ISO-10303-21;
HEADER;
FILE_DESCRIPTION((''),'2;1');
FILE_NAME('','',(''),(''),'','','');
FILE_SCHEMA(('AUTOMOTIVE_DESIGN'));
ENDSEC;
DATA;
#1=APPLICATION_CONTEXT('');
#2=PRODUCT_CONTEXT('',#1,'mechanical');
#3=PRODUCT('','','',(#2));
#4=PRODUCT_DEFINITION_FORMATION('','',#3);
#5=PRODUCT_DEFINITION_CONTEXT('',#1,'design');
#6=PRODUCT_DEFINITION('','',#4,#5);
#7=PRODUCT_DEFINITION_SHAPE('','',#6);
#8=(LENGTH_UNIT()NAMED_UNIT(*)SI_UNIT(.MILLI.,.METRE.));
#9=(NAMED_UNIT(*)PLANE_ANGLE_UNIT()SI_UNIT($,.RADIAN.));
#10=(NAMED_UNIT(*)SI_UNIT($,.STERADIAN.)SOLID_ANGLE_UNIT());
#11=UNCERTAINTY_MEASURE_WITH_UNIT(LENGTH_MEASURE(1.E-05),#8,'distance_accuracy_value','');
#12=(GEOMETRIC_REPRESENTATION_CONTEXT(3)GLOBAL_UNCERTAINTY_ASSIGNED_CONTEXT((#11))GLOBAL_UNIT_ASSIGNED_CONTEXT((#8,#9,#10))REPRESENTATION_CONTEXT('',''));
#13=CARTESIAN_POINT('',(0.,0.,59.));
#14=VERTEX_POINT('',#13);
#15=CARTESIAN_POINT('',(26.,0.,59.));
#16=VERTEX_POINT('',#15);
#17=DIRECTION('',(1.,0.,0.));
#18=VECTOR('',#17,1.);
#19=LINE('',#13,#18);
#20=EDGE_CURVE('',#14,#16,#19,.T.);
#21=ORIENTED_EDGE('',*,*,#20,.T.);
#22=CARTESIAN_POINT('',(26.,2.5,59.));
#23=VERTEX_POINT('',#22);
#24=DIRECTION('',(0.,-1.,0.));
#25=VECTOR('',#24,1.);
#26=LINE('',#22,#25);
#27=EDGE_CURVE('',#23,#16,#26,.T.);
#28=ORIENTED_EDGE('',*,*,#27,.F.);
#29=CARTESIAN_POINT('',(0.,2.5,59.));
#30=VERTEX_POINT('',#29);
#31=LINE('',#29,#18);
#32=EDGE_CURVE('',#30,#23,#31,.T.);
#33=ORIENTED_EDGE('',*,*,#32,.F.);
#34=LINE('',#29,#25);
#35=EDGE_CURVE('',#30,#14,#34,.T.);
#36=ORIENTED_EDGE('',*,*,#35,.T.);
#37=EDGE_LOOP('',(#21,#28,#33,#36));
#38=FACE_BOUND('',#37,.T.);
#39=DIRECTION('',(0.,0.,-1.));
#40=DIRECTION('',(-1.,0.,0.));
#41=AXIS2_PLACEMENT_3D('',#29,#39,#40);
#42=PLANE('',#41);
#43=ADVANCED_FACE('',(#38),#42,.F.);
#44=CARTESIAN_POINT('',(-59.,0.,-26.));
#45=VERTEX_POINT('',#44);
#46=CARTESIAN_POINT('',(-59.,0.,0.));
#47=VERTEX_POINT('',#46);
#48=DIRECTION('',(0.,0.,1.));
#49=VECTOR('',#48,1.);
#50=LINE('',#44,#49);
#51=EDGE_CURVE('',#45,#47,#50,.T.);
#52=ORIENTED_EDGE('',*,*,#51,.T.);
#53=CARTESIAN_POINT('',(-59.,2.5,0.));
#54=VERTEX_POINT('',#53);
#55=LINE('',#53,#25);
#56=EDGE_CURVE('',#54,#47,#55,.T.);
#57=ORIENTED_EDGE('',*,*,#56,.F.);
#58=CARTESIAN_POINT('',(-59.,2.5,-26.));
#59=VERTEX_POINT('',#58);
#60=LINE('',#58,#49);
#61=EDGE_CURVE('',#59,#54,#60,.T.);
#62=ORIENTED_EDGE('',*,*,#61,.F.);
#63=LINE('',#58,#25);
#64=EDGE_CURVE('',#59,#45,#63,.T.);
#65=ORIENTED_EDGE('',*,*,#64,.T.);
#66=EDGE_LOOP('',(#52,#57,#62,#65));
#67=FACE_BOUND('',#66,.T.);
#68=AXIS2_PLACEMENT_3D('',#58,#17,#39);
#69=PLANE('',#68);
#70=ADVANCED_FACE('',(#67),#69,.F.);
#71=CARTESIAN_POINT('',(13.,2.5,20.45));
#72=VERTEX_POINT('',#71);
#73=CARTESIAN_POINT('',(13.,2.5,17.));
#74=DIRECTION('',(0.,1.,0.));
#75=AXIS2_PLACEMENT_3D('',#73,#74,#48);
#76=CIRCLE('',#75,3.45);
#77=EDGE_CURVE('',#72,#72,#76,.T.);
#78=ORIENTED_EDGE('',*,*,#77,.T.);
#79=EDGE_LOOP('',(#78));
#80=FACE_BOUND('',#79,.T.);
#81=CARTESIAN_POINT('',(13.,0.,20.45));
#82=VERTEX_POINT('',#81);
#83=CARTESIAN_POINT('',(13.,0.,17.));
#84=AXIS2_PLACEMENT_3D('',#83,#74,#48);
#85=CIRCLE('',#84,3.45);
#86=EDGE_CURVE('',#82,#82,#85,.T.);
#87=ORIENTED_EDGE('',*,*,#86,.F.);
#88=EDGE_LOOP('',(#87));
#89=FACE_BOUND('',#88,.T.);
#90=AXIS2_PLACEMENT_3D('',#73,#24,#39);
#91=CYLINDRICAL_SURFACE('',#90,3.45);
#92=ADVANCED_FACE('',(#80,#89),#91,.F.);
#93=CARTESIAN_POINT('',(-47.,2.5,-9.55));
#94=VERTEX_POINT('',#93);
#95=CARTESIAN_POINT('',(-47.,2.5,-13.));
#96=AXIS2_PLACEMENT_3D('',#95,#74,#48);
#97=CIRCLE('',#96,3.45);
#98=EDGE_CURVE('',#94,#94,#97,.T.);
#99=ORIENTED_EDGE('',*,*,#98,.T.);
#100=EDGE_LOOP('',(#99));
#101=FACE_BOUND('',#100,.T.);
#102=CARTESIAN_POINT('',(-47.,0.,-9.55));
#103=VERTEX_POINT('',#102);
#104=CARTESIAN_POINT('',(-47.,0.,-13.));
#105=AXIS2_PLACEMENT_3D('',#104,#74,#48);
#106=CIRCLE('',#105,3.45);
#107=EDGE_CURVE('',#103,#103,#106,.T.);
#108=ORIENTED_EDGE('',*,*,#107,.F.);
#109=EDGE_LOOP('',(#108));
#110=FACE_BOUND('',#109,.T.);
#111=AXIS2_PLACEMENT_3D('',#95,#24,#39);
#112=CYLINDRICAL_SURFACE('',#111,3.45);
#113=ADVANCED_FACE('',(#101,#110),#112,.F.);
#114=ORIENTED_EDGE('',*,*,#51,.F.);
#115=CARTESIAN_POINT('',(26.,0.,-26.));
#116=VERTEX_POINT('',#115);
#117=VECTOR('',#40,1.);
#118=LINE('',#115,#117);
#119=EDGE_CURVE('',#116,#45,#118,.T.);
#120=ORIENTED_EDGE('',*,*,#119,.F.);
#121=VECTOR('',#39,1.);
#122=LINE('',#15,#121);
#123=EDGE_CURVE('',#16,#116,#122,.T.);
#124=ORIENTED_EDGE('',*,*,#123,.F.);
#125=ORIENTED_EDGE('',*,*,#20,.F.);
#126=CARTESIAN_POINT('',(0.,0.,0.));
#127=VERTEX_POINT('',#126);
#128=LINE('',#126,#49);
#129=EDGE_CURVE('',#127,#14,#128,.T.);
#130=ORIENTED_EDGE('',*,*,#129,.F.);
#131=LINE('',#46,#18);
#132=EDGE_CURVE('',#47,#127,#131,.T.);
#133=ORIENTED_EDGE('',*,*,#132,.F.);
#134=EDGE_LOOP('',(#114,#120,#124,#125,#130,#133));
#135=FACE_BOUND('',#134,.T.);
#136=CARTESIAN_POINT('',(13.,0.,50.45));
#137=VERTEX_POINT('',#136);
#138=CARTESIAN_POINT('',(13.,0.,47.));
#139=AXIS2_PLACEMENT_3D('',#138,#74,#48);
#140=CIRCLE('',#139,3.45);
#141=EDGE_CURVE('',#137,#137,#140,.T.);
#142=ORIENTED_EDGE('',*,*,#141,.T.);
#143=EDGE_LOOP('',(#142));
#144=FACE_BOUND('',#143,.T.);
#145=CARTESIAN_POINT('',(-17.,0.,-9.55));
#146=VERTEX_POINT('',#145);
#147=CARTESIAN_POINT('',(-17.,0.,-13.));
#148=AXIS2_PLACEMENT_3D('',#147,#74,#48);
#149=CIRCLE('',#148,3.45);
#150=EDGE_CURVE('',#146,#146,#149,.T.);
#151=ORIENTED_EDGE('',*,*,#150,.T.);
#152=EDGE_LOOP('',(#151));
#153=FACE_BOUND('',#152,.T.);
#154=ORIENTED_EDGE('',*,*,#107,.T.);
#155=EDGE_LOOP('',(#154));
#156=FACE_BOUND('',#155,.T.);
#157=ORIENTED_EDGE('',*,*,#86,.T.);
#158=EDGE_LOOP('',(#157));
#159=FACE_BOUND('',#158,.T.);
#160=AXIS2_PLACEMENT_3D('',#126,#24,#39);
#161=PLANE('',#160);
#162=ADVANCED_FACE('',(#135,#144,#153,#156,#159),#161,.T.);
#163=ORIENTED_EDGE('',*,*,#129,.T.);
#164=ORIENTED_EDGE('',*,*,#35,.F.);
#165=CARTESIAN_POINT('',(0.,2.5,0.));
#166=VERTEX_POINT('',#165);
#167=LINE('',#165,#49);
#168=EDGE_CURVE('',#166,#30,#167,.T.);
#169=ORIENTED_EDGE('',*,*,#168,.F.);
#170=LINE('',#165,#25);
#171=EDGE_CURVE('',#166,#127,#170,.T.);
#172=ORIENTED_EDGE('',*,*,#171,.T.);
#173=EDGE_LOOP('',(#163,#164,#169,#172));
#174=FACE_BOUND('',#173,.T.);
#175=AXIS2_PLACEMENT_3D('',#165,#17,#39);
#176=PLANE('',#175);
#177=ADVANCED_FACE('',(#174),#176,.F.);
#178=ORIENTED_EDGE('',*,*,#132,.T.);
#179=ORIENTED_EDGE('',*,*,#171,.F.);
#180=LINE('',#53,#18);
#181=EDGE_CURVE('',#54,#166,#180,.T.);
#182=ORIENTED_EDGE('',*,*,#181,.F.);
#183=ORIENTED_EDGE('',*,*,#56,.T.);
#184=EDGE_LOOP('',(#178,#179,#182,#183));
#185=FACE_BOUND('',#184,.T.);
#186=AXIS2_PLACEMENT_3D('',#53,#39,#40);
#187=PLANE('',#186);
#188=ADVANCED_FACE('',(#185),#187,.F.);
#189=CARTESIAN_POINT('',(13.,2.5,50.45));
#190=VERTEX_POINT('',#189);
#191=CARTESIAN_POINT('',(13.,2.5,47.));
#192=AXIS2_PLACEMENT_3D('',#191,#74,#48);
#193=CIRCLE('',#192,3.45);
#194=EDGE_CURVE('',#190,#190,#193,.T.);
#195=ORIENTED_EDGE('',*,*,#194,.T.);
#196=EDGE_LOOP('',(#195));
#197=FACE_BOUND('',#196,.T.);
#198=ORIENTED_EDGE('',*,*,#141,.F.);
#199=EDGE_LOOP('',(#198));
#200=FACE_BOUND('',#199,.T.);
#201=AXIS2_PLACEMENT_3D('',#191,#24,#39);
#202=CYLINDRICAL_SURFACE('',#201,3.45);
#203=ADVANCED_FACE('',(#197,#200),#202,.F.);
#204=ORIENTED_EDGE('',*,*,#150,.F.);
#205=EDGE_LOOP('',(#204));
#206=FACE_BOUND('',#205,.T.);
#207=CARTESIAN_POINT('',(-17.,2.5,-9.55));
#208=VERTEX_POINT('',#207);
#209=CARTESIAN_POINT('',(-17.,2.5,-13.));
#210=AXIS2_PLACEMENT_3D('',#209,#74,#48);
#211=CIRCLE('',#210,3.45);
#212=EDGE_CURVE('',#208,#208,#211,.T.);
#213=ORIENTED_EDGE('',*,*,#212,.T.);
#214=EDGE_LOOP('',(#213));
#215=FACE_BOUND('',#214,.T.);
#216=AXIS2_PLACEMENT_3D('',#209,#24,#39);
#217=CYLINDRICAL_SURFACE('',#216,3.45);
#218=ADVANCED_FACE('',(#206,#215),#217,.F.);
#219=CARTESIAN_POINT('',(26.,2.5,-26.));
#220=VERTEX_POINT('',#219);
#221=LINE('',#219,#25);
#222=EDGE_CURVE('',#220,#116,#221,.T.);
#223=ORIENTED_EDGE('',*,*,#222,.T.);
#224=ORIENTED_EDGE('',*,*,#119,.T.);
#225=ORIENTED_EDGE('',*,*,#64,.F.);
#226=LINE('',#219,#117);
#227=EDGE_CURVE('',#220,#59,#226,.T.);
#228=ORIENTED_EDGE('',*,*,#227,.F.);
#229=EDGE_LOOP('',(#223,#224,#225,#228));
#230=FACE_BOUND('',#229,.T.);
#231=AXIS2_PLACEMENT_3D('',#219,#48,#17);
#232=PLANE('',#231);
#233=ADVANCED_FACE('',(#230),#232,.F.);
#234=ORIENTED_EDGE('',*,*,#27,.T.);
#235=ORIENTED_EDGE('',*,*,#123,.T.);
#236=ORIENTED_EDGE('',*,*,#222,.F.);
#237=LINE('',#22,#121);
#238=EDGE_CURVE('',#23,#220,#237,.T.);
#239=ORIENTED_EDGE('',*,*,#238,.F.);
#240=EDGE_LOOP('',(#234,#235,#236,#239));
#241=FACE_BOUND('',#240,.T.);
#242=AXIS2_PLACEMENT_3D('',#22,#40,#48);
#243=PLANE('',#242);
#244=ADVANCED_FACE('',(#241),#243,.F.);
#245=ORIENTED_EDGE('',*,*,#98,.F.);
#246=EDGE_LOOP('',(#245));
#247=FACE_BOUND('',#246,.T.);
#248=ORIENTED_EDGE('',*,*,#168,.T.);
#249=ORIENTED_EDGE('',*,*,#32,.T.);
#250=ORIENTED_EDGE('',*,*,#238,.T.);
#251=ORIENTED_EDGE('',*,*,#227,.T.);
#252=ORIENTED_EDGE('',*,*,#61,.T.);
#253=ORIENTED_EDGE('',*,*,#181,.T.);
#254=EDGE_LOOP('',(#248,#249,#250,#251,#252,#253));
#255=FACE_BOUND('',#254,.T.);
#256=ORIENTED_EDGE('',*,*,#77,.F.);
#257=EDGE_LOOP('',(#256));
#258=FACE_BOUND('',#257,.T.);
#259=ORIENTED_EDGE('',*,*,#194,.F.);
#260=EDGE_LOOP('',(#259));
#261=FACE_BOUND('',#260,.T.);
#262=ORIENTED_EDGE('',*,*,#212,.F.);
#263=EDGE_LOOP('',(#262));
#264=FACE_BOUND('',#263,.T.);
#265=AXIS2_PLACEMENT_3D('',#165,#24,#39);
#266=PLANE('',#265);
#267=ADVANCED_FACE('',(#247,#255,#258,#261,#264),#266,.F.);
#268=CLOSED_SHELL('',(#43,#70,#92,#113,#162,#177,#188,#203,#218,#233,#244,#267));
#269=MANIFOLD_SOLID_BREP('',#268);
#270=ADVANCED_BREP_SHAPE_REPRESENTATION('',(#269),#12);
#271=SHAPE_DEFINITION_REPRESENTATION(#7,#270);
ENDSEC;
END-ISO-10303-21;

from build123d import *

# Parameters (mm, degrees)
SKETCH_1_R      = 3.45
EXTRUDE_1_DEPTH = 2.5


with BuildPart() as part:
    # 草图1 → 凸台-拉伸1 (new body)
    with BuildSketch(Plane(origin=(0, 0, 0), x_dir=(1, 0, 0), z_dir=(0, 1, 0))):
        Polygon((0, 0), (0, -59), (26, -59), (26, 26), (-59, 26), (-59, 0), align=None)
        with Locations((-47, 13)):
            Circle(SKETCH_1_R, mode=Mode.SUBTRACT)
        with Locations((-17, 13)):
            Circle(SKETCH_1_R, mode=Mode.SUBTRACT)
        with Locations((13, -47)):
            Circle(SKETCH_1_R, mode=Mode.SUBTRACT)
        with Locations((13, -17)):
            Circle(SKETCH_1_R, mode=Mode.SUBTRACT)
    extrude(amount=EXTRUDE_1_DEPTH)


solid = part.part
